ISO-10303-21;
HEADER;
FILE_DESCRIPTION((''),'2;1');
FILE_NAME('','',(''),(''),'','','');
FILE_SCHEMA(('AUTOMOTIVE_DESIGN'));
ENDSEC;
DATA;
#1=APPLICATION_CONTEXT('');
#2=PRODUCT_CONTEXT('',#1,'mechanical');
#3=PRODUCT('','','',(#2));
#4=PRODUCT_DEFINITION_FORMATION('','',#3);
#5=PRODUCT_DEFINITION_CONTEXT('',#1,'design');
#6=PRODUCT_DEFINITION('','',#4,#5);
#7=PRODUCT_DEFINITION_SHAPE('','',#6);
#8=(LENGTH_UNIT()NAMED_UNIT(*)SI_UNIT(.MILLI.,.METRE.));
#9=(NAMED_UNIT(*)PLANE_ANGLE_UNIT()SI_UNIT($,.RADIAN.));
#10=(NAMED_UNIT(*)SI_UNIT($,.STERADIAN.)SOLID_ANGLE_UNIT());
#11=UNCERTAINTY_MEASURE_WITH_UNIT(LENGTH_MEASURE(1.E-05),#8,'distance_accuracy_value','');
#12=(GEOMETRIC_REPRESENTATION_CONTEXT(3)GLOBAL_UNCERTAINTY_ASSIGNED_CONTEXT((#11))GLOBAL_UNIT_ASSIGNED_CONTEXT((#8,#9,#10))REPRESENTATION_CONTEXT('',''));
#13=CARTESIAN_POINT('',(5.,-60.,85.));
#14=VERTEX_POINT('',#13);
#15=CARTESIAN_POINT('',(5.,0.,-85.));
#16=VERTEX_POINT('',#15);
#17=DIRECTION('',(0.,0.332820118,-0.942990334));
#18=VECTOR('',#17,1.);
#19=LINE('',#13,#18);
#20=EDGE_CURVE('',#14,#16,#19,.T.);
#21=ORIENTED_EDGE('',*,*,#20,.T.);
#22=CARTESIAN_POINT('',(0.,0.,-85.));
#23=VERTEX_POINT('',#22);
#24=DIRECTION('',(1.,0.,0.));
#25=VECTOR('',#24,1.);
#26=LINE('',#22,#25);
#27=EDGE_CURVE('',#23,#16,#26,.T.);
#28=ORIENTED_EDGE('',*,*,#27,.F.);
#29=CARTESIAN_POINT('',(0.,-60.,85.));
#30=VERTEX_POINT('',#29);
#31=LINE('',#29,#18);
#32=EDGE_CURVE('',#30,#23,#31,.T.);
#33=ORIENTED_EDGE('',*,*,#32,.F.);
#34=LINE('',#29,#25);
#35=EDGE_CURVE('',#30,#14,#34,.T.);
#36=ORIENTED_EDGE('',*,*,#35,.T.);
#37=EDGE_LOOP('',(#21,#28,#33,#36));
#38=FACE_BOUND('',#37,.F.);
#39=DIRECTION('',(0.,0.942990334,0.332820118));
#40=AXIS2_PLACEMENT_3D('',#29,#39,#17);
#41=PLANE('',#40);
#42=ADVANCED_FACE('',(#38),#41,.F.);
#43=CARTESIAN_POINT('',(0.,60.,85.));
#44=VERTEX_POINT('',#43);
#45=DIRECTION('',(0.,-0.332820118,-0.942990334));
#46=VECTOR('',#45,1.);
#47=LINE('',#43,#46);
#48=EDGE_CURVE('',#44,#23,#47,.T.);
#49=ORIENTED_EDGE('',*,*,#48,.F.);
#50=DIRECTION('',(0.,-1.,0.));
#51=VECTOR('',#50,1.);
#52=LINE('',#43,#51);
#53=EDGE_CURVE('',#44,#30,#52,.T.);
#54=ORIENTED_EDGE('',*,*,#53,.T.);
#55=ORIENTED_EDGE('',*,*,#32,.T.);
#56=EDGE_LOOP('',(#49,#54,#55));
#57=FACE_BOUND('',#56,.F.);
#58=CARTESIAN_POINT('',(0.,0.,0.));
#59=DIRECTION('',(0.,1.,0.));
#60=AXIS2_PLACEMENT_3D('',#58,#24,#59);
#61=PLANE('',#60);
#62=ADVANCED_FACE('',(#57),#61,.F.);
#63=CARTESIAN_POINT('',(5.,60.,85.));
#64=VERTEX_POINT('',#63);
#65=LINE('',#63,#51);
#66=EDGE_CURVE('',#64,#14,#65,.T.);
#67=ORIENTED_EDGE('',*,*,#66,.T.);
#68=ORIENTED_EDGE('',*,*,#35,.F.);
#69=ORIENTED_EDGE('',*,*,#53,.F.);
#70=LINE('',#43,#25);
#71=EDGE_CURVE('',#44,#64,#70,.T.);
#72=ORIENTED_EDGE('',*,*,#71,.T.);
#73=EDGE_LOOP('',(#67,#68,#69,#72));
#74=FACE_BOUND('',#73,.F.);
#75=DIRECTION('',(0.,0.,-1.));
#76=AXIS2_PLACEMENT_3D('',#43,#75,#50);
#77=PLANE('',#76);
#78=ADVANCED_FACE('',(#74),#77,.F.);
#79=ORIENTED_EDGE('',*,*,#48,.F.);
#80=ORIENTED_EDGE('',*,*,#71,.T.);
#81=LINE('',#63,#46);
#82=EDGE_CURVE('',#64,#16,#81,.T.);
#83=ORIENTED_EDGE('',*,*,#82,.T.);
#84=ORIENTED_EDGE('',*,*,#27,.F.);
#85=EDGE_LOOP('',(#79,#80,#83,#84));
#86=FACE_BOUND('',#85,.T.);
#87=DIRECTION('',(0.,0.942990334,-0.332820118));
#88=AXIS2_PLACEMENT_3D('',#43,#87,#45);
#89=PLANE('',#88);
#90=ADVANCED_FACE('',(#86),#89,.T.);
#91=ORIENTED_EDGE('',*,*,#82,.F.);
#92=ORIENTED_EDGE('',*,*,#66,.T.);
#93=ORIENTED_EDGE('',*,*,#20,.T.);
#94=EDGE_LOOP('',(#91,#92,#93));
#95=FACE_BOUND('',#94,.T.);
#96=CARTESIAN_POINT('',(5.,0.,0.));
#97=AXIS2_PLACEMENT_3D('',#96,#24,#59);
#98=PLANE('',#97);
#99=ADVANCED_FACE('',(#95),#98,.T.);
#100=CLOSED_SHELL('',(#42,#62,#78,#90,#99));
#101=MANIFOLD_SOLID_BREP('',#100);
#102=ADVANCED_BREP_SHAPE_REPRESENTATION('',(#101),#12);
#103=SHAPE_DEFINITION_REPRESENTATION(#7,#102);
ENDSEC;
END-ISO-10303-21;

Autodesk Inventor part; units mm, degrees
ref_plane "YZ Plane" through (0, 0, 0) normal (1, 0, 0) x (0, 1, 0)
ref_plane "XZ Plane" through (0, 0, 0) normal (0, 1, 0) x (-1, 0, 0)
ref_plane "XY Plane" through (0, 0, 0) normal (0, 0, 1) x (1, 0, 0)
sketch "Sketch1" plane through (0, 0, 0) normal (1, 0, 0) x (0, 1, 0)
  line L0 (60, 85) -> (-60, 85)
  line L1 (60, 85) -> (0, -85)
  line L2 (-60, 85) -> (0, -85)
  point P0 (0, 0)
extrude "Extrusion1" add sketch "Sketch1" along normal blind 5
